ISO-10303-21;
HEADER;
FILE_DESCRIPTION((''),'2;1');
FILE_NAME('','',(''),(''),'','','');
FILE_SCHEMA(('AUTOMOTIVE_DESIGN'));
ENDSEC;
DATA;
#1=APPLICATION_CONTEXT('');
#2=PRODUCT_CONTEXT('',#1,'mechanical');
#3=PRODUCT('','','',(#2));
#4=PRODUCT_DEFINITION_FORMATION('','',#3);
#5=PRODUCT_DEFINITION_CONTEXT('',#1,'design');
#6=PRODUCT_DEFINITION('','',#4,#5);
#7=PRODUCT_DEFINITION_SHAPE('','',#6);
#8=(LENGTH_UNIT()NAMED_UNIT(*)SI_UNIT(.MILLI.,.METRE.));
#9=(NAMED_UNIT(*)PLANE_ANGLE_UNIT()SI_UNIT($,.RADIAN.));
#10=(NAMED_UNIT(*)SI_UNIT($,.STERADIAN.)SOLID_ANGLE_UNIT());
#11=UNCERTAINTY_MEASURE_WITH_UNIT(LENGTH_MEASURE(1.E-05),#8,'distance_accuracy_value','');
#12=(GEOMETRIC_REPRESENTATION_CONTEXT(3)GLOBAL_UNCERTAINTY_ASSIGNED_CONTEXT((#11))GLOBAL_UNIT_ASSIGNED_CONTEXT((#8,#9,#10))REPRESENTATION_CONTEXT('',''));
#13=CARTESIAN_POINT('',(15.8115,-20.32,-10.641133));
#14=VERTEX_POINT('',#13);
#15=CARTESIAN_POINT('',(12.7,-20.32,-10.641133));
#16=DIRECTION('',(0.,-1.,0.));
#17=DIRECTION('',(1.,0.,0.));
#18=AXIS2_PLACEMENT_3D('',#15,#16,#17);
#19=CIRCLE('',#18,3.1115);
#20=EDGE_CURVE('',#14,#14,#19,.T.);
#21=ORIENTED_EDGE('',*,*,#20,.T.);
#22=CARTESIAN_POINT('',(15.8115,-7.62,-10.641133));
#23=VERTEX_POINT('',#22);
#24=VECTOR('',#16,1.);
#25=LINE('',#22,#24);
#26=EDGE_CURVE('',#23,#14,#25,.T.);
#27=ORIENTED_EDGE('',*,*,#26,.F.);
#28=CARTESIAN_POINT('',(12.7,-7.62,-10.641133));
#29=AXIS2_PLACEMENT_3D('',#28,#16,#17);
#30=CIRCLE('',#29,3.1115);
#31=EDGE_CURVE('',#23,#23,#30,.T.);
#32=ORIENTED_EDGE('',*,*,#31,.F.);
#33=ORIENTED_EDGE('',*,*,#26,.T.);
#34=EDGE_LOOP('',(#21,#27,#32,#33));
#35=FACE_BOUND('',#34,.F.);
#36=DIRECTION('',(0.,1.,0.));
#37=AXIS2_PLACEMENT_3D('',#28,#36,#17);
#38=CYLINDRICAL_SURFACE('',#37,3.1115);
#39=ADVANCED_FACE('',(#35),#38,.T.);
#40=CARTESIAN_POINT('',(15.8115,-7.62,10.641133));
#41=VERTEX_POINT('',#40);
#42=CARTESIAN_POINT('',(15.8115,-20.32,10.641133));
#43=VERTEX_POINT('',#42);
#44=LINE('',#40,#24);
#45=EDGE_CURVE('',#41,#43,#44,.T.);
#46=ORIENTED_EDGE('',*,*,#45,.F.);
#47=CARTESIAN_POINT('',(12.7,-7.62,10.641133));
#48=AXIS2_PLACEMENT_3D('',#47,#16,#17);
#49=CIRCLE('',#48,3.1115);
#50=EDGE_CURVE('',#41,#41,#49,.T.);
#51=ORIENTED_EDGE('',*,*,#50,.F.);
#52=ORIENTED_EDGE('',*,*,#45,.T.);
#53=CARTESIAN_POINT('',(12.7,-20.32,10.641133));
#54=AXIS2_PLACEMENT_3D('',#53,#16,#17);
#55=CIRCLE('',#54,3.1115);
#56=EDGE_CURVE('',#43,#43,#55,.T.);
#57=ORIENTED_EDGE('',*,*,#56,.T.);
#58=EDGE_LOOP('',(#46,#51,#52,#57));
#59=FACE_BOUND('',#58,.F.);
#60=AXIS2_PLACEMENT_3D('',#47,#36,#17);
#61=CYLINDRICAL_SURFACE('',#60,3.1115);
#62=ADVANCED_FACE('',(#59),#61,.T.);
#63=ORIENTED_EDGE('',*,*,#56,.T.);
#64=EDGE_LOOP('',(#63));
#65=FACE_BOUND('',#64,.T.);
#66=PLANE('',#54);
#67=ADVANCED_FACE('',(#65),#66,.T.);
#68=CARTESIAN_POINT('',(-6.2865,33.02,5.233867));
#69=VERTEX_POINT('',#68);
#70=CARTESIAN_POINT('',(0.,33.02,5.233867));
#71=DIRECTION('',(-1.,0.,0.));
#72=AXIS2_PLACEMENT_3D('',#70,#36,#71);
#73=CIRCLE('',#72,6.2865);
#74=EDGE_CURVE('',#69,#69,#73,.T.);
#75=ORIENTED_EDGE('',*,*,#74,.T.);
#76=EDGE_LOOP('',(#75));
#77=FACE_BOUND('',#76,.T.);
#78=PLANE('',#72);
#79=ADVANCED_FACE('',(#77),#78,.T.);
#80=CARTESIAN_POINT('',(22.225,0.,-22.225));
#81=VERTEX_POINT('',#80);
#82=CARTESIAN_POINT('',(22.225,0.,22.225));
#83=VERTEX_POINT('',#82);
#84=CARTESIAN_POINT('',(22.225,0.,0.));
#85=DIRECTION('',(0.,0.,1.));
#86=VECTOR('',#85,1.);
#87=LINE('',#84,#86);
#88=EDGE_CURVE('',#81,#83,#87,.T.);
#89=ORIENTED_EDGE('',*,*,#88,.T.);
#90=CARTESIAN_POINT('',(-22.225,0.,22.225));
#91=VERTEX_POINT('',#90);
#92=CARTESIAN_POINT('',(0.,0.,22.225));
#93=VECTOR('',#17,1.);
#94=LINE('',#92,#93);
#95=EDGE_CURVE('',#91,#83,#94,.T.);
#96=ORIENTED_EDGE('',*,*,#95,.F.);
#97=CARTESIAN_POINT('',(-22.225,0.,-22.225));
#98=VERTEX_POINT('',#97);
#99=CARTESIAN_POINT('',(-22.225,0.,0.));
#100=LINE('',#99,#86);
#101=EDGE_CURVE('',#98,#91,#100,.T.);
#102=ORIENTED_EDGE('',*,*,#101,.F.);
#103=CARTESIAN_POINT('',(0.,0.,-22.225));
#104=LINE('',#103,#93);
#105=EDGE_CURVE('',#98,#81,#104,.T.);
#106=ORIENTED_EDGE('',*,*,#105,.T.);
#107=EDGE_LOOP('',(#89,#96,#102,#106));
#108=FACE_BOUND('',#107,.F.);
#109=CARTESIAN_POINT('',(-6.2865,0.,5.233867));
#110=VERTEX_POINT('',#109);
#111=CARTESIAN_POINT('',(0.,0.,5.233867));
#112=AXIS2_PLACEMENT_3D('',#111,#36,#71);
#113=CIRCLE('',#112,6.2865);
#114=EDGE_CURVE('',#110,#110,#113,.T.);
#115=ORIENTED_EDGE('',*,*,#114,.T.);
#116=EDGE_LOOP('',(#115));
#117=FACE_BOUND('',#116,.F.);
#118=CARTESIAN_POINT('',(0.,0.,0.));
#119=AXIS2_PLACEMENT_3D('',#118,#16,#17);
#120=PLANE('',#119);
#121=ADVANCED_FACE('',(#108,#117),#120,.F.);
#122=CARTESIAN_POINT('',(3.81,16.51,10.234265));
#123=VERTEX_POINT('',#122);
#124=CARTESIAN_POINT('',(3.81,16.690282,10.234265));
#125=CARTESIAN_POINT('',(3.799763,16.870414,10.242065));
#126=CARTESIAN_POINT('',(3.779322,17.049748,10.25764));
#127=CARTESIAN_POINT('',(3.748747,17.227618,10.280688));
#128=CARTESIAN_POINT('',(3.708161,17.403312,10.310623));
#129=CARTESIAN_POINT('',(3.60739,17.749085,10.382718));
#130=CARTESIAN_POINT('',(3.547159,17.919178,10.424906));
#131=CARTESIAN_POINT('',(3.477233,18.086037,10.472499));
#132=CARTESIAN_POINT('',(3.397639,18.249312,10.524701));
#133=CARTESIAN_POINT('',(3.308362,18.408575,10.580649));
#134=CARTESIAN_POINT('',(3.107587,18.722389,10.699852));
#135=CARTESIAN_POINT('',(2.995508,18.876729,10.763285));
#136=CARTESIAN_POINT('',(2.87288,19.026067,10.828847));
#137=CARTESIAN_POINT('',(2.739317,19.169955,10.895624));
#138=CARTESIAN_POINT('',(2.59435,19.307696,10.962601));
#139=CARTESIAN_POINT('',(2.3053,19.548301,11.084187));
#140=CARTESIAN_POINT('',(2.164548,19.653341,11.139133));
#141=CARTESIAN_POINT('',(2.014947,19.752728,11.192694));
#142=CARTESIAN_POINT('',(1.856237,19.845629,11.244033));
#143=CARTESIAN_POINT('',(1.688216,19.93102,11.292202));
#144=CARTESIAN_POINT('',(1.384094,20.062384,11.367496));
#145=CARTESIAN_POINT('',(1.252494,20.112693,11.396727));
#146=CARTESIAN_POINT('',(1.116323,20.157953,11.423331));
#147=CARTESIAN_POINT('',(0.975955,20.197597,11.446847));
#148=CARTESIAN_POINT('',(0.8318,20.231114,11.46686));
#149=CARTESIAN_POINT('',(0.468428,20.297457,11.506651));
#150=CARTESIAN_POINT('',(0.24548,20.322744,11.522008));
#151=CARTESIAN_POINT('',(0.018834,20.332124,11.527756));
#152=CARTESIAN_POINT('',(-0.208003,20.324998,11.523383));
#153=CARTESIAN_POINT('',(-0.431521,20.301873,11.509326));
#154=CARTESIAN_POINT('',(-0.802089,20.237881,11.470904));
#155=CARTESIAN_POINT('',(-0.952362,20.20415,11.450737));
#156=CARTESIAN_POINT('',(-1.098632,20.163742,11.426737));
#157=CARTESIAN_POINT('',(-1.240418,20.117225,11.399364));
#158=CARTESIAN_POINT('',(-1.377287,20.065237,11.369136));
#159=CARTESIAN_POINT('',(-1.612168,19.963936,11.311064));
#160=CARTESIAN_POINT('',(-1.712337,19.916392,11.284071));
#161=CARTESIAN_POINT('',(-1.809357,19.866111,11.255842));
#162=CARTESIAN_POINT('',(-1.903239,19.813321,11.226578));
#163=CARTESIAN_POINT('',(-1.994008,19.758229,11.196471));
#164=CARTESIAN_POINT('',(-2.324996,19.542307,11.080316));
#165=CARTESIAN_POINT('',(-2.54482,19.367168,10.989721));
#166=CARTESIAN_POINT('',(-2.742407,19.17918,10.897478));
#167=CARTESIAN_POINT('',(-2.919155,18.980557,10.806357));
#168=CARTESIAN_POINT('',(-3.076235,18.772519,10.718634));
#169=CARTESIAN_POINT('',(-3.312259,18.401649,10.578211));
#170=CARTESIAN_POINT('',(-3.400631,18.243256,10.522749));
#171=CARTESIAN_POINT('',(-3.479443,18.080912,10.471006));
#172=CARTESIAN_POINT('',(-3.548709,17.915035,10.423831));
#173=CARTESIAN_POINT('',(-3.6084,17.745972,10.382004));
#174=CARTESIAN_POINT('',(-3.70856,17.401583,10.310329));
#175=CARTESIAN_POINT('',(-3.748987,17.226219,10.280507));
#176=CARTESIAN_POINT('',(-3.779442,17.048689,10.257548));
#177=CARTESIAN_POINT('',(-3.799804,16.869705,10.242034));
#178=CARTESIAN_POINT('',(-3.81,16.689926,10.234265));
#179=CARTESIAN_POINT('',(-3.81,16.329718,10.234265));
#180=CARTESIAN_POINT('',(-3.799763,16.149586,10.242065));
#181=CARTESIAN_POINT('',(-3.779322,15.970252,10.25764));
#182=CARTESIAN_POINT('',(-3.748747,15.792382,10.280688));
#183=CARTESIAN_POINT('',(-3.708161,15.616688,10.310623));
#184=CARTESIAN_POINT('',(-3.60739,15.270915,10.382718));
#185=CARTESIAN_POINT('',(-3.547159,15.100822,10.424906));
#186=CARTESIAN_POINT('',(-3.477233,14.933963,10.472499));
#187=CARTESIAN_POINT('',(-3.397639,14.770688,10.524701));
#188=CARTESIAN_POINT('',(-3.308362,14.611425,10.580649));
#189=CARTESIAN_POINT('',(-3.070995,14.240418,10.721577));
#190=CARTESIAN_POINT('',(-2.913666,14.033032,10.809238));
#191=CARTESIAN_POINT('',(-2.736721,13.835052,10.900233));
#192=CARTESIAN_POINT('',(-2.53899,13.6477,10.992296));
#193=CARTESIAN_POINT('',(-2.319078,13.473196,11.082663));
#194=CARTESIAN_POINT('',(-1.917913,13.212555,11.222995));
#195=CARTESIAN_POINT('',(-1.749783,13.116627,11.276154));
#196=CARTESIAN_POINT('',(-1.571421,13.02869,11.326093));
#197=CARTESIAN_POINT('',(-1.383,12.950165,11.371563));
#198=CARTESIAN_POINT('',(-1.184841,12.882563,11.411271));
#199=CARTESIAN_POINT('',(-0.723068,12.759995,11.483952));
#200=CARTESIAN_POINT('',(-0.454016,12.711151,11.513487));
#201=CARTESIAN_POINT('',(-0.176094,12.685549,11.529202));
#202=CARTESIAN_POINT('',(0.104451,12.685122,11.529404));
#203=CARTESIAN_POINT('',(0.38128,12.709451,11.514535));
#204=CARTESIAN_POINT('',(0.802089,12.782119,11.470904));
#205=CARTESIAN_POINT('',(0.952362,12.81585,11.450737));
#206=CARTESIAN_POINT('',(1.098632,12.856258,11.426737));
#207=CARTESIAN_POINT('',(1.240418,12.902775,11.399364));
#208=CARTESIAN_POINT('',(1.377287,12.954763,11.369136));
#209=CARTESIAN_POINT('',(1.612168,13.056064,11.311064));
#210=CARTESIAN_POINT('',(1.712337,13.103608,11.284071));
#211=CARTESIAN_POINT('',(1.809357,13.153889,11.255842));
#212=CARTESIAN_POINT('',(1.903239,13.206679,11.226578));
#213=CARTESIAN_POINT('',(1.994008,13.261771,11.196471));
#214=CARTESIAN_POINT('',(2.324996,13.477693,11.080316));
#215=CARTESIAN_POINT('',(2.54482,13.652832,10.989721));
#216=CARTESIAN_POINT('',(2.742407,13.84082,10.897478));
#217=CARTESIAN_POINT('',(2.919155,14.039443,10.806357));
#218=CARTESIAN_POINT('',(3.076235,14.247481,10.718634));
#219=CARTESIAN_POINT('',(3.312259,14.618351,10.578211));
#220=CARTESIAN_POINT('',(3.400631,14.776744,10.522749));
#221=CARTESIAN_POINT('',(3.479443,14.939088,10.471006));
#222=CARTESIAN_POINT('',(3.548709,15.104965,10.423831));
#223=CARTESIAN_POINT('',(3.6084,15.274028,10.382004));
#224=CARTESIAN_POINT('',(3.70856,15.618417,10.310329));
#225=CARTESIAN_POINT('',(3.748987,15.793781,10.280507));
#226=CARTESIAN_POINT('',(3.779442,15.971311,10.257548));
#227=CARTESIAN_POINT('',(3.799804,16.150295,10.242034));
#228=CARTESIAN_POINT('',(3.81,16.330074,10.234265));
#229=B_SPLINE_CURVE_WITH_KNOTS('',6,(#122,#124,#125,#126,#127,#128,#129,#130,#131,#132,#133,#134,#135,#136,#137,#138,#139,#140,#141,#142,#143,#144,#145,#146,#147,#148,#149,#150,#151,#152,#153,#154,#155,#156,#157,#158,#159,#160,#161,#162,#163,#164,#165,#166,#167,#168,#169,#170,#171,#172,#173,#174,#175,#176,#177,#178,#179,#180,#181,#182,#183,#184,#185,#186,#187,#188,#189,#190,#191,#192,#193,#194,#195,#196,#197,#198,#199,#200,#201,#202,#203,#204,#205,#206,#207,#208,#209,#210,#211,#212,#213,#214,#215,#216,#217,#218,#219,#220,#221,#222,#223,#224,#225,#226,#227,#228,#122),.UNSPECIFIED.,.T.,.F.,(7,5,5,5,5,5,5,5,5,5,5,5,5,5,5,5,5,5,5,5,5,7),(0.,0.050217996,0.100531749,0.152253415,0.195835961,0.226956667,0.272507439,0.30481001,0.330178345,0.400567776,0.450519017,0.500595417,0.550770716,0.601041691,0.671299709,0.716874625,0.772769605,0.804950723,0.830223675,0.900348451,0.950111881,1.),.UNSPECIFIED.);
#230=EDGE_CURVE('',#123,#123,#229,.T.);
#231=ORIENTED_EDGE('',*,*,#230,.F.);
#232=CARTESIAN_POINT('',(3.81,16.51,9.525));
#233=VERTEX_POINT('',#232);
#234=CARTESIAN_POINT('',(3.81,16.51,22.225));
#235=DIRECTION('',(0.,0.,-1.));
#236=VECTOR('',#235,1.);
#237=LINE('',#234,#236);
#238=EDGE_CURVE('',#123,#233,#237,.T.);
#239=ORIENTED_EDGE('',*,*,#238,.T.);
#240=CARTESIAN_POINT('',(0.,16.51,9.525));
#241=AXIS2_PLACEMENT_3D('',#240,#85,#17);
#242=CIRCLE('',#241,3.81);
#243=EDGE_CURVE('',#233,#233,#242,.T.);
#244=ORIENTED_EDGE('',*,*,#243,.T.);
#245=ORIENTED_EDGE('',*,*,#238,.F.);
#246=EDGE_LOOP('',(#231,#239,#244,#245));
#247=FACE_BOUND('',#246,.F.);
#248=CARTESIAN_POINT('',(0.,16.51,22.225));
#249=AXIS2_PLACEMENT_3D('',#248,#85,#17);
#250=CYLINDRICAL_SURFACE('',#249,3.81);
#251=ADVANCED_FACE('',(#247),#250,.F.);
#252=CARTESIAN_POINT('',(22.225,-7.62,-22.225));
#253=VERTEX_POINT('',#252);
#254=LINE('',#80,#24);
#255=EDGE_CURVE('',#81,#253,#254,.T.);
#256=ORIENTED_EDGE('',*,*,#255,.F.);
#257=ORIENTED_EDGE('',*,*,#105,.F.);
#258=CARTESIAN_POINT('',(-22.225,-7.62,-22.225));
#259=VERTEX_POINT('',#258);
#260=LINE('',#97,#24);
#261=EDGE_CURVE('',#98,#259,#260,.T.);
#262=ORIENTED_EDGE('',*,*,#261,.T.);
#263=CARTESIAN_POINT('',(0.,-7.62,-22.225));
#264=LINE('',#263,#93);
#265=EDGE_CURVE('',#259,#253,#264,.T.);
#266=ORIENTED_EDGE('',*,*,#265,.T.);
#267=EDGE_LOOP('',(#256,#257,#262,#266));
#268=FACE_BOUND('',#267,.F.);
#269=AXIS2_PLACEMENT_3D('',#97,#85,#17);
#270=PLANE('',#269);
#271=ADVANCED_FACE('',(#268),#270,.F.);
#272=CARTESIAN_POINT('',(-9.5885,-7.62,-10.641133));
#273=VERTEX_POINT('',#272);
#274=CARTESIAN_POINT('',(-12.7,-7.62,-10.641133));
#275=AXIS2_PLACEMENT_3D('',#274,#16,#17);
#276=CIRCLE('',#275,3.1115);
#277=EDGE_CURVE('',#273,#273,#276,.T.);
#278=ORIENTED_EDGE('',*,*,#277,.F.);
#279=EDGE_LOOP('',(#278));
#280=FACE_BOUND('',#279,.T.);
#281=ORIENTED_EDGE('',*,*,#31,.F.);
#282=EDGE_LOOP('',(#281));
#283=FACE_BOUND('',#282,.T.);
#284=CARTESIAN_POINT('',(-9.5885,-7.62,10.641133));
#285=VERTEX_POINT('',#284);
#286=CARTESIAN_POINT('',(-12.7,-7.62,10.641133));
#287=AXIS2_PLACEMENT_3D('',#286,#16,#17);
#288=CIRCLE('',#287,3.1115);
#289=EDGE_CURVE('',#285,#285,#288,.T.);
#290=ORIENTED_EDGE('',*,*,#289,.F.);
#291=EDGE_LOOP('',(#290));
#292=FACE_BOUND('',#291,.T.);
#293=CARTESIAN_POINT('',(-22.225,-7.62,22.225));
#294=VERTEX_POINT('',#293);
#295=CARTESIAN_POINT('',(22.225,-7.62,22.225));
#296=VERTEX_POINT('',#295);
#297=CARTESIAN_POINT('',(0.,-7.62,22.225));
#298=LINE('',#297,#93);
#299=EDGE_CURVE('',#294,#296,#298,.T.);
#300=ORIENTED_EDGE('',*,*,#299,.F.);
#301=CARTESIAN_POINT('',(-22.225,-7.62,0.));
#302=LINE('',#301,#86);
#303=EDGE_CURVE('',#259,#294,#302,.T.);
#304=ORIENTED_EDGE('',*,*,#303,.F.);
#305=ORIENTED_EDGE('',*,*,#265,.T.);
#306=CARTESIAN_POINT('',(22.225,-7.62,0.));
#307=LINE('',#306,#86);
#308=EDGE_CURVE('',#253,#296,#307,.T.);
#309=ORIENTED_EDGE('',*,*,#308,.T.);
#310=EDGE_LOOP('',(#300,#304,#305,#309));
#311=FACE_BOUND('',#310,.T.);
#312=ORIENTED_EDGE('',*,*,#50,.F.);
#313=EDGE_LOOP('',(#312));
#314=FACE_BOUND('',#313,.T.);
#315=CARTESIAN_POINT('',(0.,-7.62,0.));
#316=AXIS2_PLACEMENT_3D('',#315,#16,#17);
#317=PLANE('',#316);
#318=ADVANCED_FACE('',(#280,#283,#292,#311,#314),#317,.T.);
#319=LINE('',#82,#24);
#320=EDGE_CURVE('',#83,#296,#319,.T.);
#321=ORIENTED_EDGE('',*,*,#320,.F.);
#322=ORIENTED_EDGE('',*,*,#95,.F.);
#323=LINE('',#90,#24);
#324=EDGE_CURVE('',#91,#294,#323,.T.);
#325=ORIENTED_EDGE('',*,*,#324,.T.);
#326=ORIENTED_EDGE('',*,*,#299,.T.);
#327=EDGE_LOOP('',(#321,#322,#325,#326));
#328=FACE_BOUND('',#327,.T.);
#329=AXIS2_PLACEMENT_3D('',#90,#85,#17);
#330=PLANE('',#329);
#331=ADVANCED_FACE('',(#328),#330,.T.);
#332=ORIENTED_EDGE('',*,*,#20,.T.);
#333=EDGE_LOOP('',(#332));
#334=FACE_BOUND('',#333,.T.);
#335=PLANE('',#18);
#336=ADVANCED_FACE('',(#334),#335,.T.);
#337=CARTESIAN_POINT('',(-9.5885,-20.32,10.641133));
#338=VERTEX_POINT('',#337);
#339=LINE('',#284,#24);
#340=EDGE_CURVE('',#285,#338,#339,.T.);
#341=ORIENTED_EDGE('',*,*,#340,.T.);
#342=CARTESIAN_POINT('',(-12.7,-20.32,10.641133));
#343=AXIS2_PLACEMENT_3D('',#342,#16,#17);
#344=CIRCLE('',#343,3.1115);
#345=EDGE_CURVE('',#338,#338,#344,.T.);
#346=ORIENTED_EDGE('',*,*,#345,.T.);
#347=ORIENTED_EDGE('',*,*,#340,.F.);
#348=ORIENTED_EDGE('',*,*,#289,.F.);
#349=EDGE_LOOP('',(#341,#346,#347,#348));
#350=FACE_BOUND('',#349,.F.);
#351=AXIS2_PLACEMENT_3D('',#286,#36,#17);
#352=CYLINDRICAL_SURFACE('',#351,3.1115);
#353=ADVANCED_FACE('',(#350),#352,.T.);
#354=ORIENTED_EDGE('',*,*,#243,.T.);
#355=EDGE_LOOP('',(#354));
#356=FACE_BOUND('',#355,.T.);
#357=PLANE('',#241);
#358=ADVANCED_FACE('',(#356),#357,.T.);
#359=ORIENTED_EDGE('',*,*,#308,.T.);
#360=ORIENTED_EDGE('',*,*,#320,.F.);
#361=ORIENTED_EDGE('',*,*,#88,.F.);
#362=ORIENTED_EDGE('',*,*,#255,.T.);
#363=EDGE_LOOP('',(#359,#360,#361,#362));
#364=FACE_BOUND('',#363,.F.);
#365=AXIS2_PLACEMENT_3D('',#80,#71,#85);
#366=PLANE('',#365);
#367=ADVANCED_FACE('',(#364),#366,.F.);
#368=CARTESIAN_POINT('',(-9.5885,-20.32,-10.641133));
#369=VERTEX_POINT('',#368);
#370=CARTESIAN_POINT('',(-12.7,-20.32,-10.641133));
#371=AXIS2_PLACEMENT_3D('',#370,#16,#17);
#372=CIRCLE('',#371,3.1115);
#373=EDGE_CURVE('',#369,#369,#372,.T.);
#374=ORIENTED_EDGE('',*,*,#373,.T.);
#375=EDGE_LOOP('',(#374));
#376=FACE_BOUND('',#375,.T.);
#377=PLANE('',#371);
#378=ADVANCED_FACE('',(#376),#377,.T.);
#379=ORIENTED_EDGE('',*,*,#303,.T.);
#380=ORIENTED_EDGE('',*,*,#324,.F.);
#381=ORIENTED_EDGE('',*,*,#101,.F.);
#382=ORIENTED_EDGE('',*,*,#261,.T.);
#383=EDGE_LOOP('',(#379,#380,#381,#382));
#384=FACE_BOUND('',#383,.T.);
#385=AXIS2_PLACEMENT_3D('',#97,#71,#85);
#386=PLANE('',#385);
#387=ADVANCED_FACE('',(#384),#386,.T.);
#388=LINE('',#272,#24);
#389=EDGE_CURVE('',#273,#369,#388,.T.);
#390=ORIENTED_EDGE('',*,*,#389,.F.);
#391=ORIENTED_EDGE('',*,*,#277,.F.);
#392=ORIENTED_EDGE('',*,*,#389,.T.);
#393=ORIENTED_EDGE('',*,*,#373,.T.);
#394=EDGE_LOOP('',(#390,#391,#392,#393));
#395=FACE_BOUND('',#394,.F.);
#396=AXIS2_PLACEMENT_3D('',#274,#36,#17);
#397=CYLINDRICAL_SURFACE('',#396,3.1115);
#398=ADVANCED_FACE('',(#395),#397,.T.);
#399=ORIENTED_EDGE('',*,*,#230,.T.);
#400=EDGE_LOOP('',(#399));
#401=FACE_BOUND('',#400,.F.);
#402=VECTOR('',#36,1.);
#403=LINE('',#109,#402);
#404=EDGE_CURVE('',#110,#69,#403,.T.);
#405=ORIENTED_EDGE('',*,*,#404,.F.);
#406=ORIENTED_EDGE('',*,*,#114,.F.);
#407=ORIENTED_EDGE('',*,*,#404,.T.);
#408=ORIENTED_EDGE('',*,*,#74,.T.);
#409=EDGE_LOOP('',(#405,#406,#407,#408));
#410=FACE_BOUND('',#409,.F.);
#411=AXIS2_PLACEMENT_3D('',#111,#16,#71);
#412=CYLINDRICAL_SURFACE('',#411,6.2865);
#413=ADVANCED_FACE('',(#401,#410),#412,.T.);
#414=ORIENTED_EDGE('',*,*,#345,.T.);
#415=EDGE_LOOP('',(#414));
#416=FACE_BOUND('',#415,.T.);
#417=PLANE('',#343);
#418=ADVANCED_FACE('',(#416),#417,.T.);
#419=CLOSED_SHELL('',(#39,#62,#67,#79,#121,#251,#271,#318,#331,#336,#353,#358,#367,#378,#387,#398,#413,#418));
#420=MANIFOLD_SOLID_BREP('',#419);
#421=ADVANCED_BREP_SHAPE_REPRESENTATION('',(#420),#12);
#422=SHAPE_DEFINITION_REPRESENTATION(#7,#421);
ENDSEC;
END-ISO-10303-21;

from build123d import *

# Parameters (mm, degrees)
F0_W     = 44.45
F0_H     = 44.45
F1_DEPTH = 7.62
F2_R     = 3.1115
F3_DEPTH = 12.7
F4_R     = 6.2865
F5_DEPTH = 33.02
F6_R     = 3.81
F7_DEPTH = 12.7


with BuildPart() as f1:
    # F0 (on Front) → F1 (new body)
    with BuildSketch(Plane.XZ):
        Rectangle(F0_W, F0_H)
    extrude(amount=F1_DEPTH)

    # F2 (on face) → F3 (join)
    with BuildSketch(Plane.XZ.offset(7.62)):
        with Locations((-12.7, 10.641133)):
            Circle(F2_R)
        with Locations((12.7, 10.641133)):
            Circle(F2_R)
        with Locations((12.7, -10.641133)):
            Circle(F2_R)
        with Locations((-12.7, -10.641133)):
            Circle(F2_R)
    extrude(amount=F3_DEPTH)

    # F4 (on face) → F5 (join)
    with BuildSketch(Plane(origin=(0, 0, 0), x_dir=(-1, 0, 0), z_dir=(0, 1, 0))):
        with Locations((0, 5.233867)):
            Circle(F4_R)
    extrude(amount=F5_DEPTH)

    # F6 (on face) → F7 (cut)
    with BuildSketch(Plane.XY.offset(22.225)):
        with Locations((0, 16.51)):
            Circle(F6_R)
    extrude(amount=-F7_DEPTH, mode=Mode.SUBTRACT)


solid = f1.part
